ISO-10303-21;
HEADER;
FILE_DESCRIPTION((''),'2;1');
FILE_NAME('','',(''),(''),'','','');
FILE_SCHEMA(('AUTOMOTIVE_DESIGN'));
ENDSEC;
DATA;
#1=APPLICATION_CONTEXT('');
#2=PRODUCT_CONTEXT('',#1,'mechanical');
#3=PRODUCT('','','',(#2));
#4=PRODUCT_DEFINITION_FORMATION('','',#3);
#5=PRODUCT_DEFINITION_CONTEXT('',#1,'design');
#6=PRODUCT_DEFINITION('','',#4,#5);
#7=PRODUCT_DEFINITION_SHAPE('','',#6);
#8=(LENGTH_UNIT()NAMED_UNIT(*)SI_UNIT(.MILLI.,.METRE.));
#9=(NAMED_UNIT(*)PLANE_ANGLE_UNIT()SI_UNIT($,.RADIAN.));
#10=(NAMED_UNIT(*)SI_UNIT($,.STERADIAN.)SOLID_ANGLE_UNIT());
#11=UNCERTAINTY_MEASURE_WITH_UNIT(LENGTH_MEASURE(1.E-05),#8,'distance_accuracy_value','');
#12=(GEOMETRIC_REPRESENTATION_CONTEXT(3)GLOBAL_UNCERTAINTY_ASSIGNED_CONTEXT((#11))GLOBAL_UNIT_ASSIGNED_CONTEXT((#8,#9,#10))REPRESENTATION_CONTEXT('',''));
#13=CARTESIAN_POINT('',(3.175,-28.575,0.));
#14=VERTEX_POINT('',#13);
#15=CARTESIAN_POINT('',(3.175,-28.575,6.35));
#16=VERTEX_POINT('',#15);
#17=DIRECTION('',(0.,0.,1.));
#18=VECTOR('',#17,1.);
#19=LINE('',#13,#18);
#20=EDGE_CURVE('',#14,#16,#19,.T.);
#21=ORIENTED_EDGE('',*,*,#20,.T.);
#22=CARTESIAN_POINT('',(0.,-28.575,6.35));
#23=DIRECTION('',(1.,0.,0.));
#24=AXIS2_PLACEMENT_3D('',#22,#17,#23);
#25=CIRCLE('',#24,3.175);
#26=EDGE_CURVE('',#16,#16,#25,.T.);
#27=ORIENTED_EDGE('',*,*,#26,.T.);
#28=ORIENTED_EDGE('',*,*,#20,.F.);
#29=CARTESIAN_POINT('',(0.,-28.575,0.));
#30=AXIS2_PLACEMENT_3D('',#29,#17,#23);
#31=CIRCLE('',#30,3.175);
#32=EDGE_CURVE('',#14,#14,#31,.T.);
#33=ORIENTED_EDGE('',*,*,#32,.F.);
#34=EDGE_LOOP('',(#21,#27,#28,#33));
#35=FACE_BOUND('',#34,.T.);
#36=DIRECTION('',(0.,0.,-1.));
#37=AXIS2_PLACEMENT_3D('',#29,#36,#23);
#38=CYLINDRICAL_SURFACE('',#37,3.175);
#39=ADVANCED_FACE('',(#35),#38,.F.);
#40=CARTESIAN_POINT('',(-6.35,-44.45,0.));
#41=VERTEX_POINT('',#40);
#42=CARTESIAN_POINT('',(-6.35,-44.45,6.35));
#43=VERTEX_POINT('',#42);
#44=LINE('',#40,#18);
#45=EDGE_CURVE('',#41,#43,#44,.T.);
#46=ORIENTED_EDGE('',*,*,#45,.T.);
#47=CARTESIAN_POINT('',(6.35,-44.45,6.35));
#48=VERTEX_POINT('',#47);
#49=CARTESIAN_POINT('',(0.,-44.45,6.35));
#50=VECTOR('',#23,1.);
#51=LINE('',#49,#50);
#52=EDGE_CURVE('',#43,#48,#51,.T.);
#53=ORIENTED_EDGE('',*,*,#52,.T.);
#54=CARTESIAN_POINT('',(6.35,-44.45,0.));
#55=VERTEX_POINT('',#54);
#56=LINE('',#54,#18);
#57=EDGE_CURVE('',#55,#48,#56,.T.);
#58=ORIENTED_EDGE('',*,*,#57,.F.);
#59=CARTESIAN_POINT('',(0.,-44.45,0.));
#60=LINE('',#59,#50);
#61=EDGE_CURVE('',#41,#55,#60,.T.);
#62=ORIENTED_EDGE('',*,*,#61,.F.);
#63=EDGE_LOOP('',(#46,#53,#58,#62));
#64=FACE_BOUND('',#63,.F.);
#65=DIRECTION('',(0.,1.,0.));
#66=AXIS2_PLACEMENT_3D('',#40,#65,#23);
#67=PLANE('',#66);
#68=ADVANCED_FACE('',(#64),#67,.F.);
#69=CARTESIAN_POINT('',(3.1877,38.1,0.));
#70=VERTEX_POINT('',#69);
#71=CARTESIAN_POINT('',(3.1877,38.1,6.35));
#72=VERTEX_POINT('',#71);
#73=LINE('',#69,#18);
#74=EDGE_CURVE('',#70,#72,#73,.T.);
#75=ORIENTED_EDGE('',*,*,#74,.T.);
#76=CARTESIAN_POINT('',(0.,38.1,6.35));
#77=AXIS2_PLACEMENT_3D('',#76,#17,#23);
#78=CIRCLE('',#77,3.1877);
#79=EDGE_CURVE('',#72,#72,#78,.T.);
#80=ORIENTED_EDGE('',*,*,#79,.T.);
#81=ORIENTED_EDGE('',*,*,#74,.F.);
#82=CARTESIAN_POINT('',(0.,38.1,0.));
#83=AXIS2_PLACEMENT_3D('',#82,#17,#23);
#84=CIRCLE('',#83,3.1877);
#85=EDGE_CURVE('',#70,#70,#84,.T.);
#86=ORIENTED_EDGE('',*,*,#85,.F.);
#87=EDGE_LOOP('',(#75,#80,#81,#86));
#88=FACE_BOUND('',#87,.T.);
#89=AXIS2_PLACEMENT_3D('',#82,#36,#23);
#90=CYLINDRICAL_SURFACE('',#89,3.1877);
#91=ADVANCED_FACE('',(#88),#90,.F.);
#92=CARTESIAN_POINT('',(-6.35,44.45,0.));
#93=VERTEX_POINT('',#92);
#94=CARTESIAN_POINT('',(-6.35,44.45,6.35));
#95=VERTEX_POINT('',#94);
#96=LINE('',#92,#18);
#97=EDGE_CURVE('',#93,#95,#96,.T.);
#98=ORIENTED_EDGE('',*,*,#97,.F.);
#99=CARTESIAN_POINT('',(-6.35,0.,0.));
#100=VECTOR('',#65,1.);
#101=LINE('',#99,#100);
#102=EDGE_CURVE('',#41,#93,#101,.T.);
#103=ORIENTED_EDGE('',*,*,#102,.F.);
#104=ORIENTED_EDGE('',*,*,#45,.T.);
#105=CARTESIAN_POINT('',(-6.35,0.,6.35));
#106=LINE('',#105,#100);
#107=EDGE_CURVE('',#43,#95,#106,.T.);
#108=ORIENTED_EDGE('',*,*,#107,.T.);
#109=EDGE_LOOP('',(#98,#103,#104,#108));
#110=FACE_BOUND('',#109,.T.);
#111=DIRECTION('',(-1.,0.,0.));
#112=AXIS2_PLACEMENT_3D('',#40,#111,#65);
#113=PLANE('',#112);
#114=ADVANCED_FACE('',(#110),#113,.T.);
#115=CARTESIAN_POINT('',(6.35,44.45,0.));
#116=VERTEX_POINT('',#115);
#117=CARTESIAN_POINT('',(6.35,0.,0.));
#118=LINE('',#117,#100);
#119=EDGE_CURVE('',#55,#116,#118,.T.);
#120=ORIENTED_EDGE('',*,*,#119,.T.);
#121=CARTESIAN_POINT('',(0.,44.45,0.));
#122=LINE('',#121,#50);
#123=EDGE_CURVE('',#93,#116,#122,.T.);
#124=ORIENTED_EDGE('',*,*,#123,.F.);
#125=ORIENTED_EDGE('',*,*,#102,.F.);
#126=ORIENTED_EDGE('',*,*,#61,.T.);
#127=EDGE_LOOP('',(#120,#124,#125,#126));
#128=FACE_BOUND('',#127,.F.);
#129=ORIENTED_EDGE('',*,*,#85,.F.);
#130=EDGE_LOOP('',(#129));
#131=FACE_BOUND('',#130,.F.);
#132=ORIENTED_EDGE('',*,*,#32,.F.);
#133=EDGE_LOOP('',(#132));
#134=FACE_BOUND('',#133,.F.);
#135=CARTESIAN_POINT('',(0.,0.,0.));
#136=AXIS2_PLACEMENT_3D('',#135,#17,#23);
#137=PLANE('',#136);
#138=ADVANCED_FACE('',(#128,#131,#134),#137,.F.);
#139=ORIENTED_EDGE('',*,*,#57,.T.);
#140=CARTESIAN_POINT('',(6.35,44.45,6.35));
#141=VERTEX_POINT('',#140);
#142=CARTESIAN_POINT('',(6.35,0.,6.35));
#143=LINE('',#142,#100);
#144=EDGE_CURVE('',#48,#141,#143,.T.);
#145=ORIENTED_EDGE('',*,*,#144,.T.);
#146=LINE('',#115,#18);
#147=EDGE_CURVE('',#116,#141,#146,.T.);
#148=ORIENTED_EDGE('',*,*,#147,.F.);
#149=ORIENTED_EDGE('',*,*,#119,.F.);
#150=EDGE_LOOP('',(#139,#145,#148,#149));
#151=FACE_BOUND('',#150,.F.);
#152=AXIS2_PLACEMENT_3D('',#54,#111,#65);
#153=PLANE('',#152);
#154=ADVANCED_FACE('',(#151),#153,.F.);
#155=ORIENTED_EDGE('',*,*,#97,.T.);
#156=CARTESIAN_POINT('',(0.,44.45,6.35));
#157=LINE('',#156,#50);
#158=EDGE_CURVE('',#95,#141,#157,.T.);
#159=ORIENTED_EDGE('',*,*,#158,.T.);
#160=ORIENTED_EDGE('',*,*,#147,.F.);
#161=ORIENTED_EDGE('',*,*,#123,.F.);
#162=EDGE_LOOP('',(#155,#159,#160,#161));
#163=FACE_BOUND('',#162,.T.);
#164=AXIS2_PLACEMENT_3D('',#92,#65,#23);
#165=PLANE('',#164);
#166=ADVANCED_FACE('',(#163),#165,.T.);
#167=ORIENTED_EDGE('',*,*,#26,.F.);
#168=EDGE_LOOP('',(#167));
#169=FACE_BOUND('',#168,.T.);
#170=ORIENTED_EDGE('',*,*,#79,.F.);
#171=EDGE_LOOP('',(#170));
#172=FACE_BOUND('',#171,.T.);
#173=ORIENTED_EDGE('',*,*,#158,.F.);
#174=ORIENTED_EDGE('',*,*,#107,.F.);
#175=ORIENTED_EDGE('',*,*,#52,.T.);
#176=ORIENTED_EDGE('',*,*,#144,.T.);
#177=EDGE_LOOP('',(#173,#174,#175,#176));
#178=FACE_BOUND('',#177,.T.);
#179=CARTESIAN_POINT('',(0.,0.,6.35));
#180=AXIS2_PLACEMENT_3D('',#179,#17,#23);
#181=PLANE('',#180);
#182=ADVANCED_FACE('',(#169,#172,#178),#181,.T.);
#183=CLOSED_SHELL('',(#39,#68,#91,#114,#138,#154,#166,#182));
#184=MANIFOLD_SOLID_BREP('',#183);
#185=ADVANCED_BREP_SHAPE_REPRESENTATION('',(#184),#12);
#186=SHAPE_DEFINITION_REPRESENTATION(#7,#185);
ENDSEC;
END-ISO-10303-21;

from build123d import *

# Parameters (mm, degrees)
F0_W     = 12.7
F0_H     = 88.9
F0_R     = 3.175
F0_R_2   = 3.1877
F1_DEPTH = 6.35


with BuildPart() as f1:
    # F0 (on Top) → F1 (new body)
    with BuildSketch(Plane.XY):
        Rectangle(F0_W, F0_H)
        with Locations((0, -28.575)):
            Circle(F0_R, mode=Mode.SUBTRACT)
        with Locations((0, 38.1)):
            Circle(F0_R_2, mode=Mode.SUBTRACT)
    extrude(amount=F1_DEPTH)


solid = f1.part
